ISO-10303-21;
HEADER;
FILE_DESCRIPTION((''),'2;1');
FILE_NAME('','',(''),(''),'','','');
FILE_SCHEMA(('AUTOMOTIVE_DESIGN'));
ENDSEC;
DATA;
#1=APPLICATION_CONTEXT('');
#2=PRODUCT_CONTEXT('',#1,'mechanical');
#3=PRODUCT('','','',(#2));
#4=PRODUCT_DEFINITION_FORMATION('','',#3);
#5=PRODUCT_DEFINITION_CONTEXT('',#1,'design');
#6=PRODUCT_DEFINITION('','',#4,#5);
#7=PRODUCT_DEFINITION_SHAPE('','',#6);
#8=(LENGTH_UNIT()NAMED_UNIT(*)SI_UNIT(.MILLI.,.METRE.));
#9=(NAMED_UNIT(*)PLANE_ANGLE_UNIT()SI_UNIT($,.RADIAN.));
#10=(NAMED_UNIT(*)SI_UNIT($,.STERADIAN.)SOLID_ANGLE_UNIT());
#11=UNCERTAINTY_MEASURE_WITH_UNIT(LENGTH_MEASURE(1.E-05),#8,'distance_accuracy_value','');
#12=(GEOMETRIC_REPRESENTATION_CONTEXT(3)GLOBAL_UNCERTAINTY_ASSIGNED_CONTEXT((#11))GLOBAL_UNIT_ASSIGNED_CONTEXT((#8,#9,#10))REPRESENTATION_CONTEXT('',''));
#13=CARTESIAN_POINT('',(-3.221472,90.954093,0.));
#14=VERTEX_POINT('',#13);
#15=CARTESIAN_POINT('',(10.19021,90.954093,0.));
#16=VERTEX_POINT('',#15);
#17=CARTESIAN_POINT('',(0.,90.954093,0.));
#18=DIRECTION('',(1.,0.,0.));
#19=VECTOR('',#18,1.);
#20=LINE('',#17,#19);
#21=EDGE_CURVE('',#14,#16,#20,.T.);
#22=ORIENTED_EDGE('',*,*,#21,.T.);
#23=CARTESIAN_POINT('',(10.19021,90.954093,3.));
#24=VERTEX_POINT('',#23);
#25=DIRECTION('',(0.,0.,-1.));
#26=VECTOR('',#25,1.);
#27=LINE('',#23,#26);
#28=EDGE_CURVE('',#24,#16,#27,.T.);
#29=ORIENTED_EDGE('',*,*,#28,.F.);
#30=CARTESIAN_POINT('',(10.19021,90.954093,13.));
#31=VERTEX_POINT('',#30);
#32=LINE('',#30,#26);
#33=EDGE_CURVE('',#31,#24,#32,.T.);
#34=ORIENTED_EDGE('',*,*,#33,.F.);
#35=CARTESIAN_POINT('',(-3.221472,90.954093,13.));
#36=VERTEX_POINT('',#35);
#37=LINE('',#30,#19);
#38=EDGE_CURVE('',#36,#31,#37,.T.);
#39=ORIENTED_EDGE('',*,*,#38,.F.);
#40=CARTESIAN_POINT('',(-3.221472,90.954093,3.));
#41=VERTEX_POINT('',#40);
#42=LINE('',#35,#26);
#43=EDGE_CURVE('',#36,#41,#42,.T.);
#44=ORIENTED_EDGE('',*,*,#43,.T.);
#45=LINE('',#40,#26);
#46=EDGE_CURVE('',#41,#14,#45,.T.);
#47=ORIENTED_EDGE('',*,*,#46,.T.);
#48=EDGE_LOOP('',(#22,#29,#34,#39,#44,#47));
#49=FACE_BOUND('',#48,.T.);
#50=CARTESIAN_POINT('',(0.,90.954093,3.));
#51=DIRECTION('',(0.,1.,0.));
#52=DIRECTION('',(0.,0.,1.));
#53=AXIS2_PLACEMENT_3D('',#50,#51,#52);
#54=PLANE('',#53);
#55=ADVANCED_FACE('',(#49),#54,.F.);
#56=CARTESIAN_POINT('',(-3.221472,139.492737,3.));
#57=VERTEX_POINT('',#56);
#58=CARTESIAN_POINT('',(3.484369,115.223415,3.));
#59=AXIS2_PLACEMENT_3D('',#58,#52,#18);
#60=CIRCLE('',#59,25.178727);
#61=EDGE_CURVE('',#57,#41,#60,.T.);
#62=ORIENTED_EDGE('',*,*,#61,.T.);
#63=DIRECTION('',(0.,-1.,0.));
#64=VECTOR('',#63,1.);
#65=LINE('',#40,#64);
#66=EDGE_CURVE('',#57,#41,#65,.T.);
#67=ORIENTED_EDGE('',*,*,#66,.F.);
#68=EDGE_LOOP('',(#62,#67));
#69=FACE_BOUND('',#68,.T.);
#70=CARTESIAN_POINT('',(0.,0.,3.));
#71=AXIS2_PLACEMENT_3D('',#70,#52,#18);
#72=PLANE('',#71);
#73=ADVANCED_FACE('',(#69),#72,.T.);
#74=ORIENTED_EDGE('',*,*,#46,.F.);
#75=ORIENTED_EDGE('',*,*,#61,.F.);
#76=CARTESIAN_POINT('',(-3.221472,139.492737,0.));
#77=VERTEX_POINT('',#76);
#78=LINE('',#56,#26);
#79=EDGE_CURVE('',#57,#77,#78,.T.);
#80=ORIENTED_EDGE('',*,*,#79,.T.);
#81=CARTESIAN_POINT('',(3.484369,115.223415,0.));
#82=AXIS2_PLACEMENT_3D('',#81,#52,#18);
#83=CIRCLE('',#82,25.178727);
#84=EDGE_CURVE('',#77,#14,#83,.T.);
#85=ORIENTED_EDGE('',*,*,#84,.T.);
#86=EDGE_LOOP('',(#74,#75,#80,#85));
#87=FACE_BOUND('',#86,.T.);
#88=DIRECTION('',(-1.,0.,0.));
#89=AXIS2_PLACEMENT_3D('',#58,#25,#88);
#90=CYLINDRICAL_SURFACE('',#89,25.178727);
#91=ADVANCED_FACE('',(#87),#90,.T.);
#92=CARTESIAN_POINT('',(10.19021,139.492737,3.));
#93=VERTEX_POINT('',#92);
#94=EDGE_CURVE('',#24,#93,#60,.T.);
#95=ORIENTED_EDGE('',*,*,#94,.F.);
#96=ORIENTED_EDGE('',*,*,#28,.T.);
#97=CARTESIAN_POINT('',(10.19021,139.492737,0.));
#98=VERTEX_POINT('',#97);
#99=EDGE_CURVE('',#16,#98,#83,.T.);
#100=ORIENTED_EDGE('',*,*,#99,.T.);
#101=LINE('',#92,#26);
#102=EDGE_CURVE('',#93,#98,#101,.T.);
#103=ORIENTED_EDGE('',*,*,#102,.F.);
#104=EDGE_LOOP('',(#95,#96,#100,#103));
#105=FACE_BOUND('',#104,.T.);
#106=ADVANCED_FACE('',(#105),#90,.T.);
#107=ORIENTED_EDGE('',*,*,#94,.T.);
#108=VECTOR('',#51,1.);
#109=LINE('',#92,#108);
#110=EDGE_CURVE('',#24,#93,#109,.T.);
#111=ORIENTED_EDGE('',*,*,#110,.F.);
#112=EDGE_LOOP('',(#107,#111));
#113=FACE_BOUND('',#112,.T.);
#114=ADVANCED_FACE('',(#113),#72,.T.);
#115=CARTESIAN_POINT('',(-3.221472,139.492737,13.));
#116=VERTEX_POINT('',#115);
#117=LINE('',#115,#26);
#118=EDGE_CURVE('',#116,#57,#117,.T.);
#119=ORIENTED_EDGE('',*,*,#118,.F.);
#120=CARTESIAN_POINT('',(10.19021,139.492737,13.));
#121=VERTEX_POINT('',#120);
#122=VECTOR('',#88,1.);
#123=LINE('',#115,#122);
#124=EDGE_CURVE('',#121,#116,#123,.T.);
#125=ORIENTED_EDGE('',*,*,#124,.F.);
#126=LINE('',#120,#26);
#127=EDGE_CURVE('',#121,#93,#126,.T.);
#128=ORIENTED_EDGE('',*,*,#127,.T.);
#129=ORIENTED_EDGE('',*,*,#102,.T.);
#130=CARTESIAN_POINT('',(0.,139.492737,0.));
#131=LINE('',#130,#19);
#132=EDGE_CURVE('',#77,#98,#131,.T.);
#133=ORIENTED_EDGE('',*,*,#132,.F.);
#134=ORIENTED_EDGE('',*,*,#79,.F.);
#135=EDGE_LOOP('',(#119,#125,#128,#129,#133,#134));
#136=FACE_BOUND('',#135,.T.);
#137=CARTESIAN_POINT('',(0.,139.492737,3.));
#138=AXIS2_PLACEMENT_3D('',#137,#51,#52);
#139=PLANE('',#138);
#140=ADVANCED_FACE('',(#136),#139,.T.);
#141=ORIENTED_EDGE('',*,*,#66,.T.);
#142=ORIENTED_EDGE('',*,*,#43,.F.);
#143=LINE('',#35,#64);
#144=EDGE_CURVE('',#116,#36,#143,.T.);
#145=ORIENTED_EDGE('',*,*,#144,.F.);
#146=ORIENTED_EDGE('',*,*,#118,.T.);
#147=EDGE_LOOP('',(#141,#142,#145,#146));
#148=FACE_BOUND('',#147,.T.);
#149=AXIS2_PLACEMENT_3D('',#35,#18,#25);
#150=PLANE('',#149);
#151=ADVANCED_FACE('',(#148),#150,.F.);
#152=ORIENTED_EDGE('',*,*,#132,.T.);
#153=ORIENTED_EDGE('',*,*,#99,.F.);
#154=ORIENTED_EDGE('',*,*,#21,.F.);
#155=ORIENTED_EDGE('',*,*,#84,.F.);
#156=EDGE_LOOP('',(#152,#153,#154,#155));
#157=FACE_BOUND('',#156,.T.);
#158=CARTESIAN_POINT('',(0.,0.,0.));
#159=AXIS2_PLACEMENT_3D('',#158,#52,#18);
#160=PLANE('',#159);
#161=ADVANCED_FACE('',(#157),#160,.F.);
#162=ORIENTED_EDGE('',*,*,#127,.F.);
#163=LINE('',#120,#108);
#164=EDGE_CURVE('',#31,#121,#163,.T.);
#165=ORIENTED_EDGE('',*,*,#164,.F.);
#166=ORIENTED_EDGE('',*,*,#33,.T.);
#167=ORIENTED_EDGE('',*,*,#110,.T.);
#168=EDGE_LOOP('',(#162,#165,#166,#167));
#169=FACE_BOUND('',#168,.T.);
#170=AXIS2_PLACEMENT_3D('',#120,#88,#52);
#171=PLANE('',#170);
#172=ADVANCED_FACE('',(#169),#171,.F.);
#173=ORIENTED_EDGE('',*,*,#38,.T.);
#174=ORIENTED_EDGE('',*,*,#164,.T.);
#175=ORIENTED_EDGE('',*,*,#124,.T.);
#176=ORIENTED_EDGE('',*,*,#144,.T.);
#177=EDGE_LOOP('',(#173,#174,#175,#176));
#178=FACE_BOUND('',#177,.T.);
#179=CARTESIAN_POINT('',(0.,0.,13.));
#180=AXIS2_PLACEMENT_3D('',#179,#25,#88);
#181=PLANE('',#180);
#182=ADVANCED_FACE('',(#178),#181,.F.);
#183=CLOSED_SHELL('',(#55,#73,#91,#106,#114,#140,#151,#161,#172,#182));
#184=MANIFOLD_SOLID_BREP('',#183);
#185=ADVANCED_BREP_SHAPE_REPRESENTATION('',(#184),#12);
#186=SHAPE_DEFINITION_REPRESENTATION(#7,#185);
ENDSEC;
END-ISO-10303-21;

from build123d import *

# Parameters (mm, degrees)
BOSS_EXTRUDE4_DEPTH = 3
SKETCH2_W           = 13.411682353
SKETCH2_H           = 48.538644398
BOSS_EXTRUDE5_DEPTH = 10


with BuildPart() as part:
    # Sketch1 → Boss-Extrude4 (new body)
    with BuildSketch(Plane.XY):
        with BuildLine():
            Line((10.190210498, 139.492737182), (-3.221471855, 139.492737182))
            ThreePointArc((-3.221471855, 139.492737182), (-21.694357927, 115.223414983), (-3.221471855, 90.954092784))
            Line((-3.221471855, 90.954092784), (10.190210498, 90.954092784))
            ThreePointArc((10.190210498, 90.954092784), (28.663096571, 115.223414983), (10.190210498, 139.492737182))
        make_face()
    extrude(amount=BOSS_EXTRUDE4_DEPTH)

    # Sketch2 → Boss-Extrude5 (add)
    with BuildSketch(Plane.XY.offset(3)):
        with Locations((3.484369322, 115.223414983)):
            Rectangle(SKETCH2_W, SKETCH2_H)
    extrude(amount=BOSS_EXTRUDE5_DEPTH)


solid = part.part
